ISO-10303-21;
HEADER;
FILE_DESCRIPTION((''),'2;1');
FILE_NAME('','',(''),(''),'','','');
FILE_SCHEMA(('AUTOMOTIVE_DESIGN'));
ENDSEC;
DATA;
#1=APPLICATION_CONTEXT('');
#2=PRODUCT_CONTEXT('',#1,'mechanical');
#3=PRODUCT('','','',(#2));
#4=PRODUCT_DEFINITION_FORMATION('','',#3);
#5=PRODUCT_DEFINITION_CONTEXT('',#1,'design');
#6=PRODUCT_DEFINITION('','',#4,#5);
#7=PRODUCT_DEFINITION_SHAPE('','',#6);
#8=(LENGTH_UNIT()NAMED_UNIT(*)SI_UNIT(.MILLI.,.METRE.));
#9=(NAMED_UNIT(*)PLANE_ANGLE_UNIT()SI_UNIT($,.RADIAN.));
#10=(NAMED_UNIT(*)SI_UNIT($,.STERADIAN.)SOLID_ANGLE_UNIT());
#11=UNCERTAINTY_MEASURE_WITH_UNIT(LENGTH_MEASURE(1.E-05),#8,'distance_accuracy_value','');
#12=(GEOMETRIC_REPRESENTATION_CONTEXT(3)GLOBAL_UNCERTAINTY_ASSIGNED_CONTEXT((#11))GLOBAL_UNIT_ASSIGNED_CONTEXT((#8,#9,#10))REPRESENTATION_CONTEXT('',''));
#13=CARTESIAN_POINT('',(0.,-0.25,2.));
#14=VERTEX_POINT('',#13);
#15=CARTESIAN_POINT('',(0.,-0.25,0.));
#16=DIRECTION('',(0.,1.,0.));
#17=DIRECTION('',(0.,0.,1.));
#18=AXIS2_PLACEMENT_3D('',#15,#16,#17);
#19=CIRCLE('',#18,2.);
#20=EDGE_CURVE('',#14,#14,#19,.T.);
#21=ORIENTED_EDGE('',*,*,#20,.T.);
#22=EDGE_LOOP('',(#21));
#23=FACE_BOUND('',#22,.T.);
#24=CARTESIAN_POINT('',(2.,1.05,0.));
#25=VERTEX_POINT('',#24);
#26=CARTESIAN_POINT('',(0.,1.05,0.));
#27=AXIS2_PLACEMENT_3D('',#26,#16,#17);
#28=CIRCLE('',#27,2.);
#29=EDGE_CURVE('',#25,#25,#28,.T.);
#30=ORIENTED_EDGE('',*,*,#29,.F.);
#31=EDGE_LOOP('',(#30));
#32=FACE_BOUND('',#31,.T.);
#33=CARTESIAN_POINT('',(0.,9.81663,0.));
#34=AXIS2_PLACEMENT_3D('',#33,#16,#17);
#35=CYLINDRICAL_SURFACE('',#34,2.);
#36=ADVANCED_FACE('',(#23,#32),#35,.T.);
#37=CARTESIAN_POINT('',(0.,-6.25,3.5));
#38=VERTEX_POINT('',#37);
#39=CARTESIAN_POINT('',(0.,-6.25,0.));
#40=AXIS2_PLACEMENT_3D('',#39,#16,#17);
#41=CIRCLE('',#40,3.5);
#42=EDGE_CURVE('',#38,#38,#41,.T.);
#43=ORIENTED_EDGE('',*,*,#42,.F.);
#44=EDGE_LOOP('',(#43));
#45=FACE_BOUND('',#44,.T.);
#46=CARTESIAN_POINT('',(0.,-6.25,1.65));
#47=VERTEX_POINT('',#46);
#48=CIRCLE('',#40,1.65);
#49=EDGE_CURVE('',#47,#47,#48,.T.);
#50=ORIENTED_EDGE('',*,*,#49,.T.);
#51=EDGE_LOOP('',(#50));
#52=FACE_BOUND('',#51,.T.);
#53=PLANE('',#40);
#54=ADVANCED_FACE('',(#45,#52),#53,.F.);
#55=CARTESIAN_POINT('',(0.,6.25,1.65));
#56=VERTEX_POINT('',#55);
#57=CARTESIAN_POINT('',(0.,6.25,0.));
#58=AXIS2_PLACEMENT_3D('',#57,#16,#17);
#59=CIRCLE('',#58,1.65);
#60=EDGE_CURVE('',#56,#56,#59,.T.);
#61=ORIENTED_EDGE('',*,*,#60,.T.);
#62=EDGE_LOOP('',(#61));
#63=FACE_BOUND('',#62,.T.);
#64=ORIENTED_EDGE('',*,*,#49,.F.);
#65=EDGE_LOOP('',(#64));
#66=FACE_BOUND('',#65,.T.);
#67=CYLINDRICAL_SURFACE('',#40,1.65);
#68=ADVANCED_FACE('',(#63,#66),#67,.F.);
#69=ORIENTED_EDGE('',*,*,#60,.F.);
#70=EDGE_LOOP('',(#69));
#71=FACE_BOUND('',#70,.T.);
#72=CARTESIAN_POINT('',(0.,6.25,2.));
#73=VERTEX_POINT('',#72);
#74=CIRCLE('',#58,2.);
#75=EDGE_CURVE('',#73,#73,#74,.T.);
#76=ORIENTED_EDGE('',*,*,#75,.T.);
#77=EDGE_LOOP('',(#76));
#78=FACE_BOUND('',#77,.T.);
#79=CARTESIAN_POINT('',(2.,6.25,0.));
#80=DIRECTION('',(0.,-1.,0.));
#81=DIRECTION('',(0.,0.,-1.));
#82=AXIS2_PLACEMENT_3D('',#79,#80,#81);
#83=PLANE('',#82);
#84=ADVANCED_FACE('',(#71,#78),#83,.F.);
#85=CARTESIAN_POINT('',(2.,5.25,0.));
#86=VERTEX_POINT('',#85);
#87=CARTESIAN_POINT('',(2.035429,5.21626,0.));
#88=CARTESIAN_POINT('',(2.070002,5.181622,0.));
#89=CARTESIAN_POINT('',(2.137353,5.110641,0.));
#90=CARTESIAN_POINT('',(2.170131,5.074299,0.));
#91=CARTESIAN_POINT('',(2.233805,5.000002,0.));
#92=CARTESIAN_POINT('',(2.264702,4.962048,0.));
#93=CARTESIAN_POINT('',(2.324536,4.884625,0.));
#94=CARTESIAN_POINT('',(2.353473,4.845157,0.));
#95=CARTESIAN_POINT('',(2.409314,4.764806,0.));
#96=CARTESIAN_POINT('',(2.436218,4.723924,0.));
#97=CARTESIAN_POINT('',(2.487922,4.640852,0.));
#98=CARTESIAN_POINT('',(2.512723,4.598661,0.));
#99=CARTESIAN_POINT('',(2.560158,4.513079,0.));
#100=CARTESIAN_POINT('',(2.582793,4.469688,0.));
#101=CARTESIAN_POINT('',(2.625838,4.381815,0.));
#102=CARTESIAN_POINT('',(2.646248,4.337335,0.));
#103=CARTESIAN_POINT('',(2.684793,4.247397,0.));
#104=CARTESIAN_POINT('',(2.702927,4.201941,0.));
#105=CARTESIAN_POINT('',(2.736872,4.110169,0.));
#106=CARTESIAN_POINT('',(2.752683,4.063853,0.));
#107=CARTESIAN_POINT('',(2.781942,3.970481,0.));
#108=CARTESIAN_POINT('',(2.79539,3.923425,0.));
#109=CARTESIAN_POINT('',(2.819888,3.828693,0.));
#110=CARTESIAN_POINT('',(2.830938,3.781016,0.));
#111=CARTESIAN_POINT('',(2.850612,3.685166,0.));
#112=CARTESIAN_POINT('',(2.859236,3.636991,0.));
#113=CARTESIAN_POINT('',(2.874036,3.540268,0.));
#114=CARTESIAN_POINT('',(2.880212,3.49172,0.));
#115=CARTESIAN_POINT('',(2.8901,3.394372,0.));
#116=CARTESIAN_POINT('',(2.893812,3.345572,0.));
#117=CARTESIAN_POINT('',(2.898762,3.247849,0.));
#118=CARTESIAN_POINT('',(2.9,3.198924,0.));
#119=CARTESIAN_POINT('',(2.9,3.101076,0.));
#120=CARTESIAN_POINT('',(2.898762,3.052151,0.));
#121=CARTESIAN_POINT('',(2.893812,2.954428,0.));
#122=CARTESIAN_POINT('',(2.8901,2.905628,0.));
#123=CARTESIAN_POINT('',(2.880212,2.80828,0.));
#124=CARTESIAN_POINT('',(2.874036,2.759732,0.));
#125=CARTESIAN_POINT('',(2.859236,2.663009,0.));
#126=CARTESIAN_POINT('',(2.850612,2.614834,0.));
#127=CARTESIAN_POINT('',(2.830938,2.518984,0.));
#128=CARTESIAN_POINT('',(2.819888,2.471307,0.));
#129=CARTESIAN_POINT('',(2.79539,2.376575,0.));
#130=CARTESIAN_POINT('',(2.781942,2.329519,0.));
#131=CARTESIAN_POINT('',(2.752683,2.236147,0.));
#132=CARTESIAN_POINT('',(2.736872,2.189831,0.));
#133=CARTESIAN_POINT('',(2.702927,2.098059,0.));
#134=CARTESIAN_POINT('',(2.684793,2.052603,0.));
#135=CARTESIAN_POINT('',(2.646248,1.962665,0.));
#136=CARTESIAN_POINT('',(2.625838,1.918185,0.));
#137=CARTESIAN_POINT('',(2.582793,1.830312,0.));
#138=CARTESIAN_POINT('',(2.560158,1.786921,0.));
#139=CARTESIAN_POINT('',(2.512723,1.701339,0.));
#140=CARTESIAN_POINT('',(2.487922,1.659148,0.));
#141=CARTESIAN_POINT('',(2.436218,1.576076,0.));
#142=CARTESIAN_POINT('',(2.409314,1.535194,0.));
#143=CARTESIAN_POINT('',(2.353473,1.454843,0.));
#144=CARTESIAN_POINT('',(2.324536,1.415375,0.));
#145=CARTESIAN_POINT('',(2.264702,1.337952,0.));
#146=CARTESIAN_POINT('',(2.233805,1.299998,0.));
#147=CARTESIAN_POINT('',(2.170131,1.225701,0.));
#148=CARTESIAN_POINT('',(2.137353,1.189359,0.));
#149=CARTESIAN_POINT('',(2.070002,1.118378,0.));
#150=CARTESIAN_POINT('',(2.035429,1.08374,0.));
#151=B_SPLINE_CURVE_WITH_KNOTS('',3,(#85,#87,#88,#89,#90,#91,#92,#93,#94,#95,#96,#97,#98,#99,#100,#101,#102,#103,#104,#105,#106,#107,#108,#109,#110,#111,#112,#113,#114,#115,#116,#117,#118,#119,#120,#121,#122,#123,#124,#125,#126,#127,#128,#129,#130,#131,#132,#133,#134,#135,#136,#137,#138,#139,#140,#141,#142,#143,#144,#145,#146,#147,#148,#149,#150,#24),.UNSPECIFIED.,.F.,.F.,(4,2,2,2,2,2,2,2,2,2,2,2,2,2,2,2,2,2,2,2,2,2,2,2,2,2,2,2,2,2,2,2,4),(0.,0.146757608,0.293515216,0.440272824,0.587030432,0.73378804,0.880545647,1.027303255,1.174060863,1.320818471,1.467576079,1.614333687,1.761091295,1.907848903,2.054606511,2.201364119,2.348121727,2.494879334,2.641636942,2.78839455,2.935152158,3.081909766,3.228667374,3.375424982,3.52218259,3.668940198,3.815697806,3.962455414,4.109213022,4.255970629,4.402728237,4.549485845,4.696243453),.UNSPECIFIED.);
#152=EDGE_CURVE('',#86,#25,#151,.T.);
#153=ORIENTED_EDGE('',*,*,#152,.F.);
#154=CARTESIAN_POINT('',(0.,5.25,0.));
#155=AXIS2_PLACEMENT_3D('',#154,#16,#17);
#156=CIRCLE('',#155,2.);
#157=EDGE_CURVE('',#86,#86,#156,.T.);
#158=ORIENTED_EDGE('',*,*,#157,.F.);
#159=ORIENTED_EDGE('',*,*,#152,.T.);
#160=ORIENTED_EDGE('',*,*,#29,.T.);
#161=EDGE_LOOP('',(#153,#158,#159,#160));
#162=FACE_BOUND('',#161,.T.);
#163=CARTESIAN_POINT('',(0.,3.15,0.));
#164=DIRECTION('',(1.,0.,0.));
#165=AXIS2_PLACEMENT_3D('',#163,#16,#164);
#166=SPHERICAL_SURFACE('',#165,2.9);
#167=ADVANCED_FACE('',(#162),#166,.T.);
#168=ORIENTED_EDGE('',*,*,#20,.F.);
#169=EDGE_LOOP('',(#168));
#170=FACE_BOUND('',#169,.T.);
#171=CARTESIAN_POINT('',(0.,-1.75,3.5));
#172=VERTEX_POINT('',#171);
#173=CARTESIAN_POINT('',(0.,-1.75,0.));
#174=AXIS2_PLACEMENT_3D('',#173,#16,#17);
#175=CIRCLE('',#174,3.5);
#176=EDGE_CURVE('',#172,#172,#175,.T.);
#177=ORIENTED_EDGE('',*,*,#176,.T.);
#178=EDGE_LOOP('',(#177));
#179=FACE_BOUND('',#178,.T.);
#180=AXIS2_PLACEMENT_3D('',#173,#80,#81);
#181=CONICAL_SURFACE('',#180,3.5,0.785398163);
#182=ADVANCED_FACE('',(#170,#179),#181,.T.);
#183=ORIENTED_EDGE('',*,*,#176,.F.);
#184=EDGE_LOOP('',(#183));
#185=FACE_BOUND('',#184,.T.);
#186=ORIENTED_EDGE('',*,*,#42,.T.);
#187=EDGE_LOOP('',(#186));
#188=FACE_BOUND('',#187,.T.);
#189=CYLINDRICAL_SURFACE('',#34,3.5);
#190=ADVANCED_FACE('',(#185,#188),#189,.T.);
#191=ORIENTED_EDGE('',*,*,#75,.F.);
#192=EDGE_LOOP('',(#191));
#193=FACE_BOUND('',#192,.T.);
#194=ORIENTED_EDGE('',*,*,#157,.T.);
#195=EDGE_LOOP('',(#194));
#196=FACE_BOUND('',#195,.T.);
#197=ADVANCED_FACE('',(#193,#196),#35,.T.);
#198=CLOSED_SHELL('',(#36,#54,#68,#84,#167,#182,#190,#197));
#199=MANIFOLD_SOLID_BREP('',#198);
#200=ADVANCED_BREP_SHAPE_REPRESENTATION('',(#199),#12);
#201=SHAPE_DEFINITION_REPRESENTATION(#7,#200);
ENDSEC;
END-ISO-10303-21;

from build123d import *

# Parameters (mm, degrees)
SKETCH2_R          = 1.65
CUT_EXTRUDE1_DEPTH = 12.5


with BuildPart() as part:
    # Sketch1 → Revolve1 (revolve)
    with BuildSketch(Plane.XY, mode=Mode.PRIVATE) as revolve1_sk:
        with BuildLine():
            Line((0, 6.25), (0, -6.25))
            Line((0, -6.25), (3.5, -6.25))
            Line((3.5, -6.25), (3.5, -1.75))
            Line((3.5, -1.75), (2, -0.25))
            Line((2, -0.25), (2, 1.05))
            ThreePointArc((2, 1.05), (2.9, 3.15), (2, 5.25))
            Line((2, 5.25), (2, 6.25))
            Line((2, 6.25), (0, 6.25))
        make_face()
    revolve(revolve1_sk.sketch.rotate(Axis((0, 9.816629846, 0), (0, -1, 0)), 90), axis=Axis((0, 9.816629846, 0), (0, -1, 0)))

    # Sketch2 → Cut-Extrude1 (cut)
    with BuildSketch(Plane(origin=(0, 6.25, 0), x_dir=(1, 0, 0), z_dir=(0, 1, 0))):
        with Locations(Location((0, 0, 0), (0, 0, 270))):
            Circle(SKETCH2_R)
    extrude(amount=-CUT_EXTRUDE1_DEPTH, mode=Mode.SUBTRACT)


solid = part.part
